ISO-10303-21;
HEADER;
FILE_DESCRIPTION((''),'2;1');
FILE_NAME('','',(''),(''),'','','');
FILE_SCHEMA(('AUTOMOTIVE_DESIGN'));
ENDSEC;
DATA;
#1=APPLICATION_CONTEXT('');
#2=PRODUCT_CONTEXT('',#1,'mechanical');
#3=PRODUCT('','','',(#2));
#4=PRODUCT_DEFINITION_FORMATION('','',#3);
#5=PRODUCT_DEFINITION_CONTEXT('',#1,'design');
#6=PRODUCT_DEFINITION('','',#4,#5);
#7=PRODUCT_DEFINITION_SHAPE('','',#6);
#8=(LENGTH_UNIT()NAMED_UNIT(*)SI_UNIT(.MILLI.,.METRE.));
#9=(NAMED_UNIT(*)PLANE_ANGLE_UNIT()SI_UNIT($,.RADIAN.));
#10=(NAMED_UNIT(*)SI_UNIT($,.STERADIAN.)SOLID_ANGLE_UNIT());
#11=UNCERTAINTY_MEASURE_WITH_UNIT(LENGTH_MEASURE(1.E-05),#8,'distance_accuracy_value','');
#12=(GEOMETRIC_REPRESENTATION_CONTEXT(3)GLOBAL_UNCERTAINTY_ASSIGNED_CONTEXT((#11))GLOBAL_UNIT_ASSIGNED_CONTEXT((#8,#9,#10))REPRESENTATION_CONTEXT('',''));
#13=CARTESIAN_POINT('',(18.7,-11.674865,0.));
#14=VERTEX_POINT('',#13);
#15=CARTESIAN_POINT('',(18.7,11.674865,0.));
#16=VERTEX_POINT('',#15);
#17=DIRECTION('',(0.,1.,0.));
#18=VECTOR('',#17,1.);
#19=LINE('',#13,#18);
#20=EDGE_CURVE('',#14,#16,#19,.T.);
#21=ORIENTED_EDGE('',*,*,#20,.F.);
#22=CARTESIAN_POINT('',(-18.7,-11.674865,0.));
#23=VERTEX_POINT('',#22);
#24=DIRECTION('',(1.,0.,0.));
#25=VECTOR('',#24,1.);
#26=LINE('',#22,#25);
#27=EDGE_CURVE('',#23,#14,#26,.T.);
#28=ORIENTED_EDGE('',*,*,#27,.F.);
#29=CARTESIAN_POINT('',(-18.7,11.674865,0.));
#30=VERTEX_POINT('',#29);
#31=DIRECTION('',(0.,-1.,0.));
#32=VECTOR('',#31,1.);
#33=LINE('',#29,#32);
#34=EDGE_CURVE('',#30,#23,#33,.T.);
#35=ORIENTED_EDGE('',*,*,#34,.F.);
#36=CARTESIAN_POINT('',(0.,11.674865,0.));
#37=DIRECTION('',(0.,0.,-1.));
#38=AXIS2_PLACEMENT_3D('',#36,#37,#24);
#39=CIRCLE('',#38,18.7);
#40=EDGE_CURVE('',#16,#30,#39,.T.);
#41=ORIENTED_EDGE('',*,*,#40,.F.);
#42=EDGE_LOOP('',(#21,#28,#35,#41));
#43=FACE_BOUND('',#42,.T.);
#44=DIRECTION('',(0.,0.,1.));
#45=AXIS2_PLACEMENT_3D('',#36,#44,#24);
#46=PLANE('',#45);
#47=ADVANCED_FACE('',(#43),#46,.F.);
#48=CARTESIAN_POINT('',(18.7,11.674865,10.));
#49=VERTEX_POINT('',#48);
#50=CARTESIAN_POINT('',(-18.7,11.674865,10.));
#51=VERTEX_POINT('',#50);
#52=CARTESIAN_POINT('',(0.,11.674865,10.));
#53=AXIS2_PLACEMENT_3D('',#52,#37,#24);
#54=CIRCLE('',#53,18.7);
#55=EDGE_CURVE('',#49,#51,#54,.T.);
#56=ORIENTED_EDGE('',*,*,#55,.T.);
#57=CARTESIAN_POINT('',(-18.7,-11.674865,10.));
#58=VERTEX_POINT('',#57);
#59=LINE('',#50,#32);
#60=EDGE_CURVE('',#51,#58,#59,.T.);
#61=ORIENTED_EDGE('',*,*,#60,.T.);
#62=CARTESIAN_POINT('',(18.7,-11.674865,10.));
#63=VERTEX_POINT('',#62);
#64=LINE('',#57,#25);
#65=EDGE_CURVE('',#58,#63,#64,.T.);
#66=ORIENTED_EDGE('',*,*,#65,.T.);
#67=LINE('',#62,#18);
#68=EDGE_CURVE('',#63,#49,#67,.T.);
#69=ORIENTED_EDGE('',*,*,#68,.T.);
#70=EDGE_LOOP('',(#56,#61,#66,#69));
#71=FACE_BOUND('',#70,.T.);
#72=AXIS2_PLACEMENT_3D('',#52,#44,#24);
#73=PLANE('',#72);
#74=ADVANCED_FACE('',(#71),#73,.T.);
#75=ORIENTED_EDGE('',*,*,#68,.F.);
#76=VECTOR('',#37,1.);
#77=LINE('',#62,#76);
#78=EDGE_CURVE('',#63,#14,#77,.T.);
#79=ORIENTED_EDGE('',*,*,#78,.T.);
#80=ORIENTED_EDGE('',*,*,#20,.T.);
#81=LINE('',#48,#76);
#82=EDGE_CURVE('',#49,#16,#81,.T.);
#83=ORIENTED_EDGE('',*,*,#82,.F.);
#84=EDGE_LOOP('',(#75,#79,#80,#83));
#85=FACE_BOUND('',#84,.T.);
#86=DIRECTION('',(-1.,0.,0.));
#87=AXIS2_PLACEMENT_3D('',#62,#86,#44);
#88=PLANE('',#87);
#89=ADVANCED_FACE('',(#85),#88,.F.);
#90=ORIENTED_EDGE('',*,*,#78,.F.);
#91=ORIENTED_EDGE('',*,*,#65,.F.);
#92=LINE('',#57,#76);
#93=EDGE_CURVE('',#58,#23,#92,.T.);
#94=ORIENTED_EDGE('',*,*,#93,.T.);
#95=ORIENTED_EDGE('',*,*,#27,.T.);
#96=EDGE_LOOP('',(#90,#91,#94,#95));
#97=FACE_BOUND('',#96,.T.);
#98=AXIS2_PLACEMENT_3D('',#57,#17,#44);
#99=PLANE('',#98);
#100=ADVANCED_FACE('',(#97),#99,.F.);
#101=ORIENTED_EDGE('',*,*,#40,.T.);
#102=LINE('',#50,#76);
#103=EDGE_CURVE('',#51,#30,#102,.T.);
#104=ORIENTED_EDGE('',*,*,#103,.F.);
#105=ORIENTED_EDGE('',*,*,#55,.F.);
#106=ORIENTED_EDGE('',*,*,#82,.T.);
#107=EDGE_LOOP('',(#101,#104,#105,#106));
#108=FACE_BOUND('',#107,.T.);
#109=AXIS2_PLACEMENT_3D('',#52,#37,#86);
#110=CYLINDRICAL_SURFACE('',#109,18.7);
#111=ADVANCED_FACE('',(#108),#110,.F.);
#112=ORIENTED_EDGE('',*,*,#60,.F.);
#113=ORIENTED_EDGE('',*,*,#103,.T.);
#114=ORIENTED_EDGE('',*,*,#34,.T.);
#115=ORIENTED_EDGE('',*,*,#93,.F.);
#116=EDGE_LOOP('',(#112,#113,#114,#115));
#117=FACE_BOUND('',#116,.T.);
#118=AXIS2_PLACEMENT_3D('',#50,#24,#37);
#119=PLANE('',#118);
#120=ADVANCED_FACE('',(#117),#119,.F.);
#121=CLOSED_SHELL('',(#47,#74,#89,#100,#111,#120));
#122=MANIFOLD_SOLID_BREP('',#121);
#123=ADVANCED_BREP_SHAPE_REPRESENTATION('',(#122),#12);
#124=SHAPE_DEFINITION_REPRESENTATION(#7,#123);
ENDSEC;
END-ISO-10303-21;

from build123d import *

# Parameters (mm, degrees)
BOSS_EXTRUDE1_DEPTH = 10


with BuildPart() as part:
    # Sketch1 → Boss-Extrude1 (new body)
    with BuildSketch(Plane.XY):
        with BuildLine():
            Line((-18.7, 11.674864865), (-18.7, -11.674864865))
            Line((-18.7, -11.674864865), (18.7, -11.674864865))
            Line((18.7, -11.674864865), (18.7, 11.674864865))
            ThreePointArc((18.7, 11.674864865), (0, -7.025135135), (-18.7, 11.674864865))
        make_face()
    extrude(amount=BOSS_EXTRUDE1_DEPTH)


solid = part.part
